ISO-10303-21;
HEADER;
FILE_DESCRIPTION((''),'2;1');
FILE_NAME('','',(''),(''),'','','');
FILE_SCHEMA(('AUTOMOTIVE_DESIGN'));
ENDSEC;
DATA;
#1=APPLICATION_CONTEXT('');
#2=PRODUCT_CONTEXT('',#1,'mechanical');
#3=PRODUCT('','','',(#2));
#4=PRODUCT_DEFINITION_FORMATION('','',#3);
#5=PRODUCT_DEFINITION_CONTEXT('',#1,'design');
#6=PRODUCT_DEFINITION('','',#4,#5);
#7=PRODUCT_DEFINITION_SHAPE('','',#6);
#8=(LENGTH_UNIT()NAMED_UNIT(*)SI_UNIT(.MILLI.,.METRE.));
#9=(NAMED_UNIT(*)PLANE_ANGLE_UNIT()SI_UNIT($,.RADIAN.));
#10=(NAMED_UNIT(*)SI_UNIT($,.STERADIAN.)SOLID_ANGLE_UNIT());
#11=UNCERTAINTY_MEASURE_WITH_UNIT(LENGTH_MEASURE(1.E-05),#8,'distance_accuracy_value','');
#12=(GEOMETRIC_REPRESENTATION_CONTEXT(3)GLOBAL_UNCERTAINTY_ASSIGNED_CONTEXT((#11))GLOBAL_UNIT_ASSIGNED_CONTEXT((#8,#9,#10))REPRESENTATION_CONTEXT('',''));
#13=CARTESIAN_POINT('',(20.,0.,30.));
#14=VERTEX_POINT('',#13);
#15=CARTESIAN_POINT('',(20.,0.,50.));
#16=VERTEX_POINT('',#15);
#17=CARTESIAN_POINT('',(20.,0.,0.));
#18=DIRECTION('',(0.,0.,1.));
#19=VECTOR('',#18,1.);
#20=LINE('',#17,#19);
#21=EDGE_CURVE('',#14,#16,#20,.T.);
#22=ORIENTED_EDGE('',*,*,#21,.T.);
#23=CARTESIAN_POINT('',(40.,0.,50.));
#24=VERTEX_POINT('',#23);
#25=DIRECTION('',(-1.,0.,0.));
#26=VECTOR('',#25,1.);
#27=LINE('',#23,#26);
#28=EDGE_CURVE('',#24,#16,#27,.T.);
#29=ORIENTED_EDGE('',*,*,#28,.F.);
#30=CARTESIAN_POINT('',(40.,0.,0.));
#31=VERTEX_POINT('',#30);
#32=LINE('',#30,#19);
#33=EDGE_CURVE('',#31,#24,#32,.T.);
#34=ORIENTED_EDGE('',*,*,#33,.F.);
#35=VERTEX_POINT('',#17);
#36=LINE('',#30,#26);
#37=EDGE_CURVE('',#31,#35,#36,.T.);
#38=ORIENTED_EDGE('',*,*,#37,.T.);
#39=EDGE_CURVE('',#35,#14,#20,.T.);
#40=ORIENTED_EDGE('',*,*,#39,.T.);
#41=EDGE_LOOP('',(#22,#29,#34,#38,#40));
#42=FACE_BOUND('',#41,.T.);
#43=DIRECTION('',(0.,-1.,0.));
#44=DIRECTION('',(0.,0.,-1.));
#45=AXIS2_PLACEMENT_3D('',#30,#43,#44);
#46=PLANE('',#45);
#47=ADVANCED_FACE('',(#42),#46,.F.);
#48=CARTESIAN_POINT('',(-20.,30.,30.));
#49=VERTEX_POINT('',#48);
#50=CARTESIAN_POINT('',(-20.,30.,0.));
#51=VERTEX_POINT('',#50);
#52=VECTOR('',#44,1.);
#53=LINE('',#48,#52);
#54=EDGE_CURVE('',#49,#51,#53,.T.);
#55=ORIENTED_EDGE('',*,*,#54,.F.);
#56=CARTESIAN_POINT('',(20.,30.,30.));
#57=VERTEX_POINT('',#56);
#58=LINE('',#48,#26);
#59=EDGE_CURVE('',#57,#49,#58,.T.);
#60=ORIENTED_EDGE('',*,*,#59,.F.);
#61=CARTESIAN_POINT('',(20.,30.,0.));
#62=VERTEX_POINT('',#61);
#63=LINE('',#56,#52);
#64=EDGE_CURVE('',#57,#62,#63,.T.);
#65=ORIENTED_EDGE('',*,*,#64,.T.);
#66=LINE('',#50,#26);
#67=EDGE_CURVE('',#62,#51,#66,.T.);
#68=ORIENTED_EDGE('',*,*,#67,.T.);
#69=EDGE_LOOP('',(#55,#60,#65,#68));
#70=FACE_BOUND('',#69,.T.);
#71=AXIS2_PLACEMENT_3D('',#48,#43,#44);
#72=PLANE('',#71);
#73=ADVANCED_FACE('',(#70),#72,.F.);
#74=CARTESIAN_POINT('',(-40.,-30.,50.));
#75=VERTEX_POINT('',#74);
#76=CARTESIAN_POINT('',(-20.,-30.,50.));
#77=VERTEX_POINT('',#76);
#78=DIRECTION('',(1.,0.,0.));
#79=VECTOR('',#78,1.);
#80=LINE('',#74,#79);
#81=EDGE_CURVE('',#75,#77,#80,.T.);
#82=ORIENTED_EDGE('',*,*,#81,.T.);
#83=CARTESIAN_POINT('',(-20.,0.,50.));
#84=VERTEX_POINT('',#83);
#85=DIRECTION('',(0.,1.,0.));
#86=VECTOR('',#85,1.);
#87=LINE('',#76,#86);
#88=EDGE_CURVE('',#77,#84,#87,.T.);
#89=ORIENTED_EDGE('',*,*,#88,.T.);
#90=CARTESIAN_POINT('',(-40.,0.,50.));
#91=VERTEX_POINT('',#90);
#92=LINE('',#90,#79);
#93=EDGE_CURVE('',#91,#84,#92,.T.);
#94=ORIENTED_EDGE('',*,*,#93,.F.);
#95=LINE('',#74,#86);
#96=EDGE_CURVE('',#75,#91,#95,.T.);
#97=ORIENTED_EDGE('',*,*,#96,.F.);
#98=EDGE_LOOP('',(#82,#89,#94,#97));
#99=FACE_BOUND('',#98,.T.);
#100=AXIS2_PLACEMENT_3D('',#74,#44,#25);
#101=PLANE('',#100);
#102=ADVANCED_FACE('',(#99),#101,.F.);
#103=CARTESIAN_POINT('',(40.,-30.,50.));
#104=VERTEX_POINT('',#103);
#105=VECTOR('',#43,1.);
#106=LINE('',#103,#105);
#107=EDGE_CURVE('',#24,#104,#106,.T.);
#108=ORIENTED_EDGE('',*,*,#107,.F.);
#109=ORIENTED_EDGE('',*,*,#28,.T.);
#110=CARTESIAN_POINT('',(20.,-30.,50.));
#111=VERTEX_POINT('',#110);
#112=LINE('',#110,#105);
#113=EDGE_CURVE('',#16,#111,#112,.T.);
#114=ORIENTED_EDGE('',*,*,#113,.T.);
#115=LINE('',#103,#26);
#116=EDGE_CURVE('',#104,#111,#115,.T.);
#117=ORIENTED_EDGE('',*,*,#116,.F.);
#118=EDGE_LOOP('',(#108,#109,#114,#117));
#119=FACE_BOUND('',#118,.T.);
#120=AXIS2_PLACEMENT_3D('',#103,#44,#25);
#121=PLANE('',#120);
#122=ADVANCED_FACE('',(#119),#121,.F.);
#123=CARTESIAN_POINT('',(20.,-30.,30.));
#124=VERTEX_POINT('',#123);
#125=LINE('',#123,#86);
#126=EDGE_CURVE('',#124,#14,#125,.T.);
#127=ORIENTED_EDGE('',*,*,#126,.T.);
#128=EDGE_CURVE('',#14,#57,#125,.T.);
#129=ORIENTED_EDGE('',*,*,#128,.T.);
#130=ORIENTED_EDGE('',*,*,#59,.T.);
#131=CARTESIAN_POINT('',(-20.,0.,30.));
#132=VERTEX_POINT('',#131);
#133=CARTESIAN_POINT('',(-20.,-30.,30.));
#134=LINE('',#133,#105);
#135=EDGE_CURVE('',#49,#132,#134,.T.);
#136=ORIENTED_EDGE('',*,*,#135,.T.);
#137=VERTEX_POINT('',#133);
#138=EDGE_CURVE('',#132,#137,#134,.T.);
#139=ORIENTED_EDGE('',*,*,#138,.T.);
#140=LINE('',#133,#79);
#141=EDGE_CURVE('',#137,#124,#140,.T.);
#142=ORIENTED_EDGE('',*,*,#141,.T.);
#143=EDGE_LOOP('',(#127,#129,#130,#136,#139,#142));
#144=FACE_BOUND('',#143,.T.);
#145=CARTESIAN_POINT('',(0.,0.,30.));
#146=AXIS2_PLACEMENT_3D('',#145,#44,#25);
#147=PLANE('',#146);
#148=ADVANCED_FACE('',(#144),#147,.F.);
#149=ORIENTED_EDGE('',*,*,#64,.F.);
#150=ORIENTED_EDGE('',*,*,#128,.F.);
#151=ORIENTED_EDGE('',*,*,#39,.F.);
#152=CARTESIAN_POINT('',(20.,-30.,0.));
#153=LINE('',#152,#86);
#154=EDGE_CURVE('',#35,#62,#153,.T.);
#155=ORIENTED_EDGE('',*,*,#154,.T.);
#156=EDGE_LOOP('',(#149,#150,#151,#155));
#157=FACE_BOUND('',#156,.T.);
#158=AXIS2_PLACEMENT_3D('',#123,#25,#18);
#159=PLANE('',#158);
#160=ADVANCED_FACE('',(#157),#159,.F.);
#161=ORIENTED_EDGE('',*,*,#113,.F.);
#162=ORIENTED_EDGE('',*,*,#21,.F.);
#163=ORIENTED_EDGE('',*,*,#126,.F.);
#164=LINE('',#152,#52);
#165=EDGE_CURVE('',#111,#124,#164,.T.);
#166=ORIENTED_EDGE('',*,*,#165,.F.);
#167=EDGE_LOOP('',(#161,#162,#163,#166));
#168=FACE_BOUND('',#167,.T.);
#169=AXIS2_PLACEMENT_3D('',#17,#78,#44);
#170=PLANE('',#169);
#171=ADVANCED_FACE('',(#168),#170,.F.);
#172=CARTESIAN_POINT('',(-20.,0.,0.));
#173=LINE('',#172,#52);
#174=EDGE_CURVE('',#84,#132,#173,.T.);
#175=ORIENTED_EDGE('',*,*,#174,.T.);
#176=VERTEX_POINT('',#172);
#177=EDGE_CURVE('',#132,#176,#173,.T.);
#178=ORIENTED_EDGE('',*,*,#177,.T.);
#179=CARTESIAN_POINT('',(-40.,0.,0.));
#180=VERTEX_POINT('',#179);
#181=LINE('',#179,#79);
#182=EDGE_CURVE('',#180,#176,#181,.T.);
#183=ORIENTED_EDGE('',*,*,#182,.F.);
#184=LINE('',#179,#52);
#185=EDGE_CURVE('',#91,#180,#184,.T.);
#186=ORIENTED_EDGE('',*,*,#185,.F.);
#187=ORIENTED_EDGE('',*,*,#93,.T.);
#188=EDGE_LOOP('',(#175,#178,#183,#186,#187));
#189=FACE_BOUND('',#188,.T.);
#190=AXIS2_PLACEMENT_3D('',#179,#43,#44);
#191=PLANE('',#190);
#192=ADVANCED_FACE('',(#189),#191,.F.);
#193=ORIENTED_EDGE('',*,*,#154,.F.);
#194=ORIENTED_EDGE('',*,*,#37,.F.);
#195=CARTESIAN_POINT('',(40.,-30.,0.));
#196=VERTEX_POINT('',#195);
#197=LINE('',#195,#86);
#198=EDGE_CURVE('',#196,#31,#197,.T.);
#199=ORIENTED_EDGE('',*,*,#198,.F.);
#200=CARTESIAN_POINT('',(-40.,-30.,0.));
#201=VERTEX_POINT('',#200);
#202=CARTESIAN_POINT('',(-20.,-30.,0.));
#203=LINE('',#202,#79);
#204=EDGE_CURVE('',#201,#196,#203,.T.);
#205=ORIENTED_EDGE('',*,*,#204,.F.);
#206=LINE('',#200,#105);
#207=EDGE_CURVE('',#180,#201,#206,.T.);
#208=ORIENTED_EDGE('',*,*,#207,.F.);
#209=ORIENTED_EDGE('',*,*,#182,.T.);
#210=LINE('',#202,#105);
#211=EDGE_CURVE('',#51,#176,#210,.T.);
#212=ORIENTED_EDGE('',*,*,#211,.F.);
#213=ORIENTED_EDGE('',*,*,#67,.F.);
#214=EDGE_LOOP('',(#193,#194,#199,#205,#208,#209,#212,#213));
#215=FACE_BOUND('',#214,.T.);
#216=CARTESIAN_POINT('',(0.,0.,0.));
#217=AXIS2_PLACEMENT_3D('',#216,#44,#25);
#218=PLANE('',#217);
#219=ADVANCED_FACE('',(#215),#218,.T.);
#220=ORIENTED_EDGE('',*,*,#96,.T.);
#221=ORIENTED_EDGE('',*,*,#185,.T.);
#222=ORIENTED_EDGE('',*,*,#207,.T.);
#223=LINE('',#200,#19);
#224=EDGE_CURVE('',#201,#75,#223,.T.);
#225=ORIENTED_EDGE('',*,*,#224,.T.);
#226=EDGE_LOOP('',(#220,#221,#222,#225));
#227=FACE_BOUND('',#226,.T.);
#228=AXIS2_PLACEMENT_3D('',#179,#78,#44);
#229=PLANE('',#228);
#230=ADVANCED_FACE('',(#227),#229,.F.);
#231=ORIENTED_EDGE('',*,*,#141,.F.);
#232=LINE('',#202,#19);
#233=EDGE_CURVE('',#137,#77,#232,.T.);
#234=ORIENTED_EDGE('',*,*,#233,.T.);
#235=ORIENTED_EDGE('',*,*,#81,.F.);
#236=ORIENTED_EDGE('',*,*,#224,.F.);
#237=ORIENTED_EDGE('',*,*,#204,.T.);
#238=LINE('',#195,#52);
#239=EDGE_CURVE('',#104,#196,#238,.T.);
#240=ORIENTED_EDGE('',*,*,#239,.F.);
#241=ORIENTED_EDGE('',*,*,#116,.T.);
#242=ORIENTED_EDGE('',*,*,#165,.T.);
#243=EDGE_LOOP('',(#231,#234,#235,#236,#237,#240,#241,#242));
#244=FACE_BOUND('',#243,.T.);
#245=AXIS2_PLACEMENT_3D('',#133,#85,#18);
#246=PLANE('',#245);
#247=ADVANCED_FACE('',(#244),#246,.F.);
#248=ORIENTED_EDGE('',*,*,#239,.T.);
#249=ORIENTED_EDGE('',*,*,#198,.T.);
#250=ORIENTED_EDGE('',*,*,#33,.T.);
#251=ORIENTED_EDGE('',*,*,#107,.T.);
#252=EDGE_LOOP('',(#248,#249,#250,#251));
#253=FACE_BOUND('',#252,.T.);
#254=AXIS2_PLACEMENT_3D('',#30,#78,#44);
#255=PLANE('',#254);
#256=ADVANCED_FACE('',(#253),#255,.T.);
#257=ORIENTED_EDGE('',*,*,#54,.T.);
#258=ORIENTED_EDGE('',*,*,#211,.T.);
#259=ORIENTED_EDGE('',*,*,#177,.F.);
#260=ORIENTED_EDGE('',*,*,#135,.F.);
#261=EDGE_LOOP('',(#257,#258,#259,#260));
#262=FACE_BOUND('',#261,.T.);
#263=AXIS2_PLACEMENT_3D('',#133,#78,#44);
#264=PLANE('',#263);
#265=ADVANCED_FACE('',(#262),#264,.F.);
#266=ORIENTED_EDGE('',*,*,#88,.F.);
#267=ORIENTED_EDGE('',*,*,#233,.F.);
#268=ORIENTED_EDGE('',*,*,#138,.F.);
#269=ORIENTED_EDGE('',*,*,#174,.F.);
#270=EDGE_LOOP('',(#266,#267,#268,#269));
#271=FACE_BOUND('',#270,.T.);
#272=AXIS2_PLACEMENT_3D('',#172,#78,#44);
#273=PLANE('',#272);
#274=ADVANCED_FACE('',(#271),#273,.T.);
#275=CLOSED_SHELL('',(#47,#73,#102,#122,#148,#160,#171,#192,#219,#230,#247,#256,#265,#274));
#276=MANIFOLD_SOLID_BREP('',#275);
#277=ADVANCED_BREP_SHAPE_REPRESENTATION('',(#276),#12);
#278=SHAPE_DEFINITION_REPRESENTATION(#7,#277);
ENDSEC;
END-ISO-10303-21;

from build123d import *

# Parameters (mm, degrees)
CROQUIS2_W              = 40
CROQUIS2_H              = 60
SALIENTE_EXTRUIR1_DEPTH = 30
CROQUIS3_W              = 50
CROQUIS3_H              = 30
SALIENTE_EXTRUIR2_DEPTH = 20
CROQUIS4_W              = 50
CROQUIS4_H              = 30
SALIENTE_EXTRUIR3_DEPTH = 20


with BuildPart() as part:
    # Croquis2 → Saliente-Extruir1 (new body)
    with BuildSketch(Plane.XY):
        Rectangle(CROQUIS2_W, CROQUIS2_H)
    extrude(amount=SALIENTE_EXTRUIR1_DEPTH)

    # Croquis3 → Saliente-Extruir2 (add)
    with BuildSketch(Plane(origin=(20, 0, 0), x_dir=(0, 0, -1), z_dir=(1, 0, 0))):
        with Locations((-25, -15)):
            Rectangle(CROQUIS3_W, CROQUIS3_H)
    extrude(amount=SALIENTE_EXTRUIR2_DEPTH)

    # Croquis4 → Saliente-Extruir3 (add)
    with BuildSketch(Plane.ZY.offset(20)):
        with Locations((25, -15)):
            Rectangle(CROQUIS4_W, CROQUIS4_H)
    extrude(amount=SALIENTE_EXTRUIR3_DEPTH)


solid = part.part
